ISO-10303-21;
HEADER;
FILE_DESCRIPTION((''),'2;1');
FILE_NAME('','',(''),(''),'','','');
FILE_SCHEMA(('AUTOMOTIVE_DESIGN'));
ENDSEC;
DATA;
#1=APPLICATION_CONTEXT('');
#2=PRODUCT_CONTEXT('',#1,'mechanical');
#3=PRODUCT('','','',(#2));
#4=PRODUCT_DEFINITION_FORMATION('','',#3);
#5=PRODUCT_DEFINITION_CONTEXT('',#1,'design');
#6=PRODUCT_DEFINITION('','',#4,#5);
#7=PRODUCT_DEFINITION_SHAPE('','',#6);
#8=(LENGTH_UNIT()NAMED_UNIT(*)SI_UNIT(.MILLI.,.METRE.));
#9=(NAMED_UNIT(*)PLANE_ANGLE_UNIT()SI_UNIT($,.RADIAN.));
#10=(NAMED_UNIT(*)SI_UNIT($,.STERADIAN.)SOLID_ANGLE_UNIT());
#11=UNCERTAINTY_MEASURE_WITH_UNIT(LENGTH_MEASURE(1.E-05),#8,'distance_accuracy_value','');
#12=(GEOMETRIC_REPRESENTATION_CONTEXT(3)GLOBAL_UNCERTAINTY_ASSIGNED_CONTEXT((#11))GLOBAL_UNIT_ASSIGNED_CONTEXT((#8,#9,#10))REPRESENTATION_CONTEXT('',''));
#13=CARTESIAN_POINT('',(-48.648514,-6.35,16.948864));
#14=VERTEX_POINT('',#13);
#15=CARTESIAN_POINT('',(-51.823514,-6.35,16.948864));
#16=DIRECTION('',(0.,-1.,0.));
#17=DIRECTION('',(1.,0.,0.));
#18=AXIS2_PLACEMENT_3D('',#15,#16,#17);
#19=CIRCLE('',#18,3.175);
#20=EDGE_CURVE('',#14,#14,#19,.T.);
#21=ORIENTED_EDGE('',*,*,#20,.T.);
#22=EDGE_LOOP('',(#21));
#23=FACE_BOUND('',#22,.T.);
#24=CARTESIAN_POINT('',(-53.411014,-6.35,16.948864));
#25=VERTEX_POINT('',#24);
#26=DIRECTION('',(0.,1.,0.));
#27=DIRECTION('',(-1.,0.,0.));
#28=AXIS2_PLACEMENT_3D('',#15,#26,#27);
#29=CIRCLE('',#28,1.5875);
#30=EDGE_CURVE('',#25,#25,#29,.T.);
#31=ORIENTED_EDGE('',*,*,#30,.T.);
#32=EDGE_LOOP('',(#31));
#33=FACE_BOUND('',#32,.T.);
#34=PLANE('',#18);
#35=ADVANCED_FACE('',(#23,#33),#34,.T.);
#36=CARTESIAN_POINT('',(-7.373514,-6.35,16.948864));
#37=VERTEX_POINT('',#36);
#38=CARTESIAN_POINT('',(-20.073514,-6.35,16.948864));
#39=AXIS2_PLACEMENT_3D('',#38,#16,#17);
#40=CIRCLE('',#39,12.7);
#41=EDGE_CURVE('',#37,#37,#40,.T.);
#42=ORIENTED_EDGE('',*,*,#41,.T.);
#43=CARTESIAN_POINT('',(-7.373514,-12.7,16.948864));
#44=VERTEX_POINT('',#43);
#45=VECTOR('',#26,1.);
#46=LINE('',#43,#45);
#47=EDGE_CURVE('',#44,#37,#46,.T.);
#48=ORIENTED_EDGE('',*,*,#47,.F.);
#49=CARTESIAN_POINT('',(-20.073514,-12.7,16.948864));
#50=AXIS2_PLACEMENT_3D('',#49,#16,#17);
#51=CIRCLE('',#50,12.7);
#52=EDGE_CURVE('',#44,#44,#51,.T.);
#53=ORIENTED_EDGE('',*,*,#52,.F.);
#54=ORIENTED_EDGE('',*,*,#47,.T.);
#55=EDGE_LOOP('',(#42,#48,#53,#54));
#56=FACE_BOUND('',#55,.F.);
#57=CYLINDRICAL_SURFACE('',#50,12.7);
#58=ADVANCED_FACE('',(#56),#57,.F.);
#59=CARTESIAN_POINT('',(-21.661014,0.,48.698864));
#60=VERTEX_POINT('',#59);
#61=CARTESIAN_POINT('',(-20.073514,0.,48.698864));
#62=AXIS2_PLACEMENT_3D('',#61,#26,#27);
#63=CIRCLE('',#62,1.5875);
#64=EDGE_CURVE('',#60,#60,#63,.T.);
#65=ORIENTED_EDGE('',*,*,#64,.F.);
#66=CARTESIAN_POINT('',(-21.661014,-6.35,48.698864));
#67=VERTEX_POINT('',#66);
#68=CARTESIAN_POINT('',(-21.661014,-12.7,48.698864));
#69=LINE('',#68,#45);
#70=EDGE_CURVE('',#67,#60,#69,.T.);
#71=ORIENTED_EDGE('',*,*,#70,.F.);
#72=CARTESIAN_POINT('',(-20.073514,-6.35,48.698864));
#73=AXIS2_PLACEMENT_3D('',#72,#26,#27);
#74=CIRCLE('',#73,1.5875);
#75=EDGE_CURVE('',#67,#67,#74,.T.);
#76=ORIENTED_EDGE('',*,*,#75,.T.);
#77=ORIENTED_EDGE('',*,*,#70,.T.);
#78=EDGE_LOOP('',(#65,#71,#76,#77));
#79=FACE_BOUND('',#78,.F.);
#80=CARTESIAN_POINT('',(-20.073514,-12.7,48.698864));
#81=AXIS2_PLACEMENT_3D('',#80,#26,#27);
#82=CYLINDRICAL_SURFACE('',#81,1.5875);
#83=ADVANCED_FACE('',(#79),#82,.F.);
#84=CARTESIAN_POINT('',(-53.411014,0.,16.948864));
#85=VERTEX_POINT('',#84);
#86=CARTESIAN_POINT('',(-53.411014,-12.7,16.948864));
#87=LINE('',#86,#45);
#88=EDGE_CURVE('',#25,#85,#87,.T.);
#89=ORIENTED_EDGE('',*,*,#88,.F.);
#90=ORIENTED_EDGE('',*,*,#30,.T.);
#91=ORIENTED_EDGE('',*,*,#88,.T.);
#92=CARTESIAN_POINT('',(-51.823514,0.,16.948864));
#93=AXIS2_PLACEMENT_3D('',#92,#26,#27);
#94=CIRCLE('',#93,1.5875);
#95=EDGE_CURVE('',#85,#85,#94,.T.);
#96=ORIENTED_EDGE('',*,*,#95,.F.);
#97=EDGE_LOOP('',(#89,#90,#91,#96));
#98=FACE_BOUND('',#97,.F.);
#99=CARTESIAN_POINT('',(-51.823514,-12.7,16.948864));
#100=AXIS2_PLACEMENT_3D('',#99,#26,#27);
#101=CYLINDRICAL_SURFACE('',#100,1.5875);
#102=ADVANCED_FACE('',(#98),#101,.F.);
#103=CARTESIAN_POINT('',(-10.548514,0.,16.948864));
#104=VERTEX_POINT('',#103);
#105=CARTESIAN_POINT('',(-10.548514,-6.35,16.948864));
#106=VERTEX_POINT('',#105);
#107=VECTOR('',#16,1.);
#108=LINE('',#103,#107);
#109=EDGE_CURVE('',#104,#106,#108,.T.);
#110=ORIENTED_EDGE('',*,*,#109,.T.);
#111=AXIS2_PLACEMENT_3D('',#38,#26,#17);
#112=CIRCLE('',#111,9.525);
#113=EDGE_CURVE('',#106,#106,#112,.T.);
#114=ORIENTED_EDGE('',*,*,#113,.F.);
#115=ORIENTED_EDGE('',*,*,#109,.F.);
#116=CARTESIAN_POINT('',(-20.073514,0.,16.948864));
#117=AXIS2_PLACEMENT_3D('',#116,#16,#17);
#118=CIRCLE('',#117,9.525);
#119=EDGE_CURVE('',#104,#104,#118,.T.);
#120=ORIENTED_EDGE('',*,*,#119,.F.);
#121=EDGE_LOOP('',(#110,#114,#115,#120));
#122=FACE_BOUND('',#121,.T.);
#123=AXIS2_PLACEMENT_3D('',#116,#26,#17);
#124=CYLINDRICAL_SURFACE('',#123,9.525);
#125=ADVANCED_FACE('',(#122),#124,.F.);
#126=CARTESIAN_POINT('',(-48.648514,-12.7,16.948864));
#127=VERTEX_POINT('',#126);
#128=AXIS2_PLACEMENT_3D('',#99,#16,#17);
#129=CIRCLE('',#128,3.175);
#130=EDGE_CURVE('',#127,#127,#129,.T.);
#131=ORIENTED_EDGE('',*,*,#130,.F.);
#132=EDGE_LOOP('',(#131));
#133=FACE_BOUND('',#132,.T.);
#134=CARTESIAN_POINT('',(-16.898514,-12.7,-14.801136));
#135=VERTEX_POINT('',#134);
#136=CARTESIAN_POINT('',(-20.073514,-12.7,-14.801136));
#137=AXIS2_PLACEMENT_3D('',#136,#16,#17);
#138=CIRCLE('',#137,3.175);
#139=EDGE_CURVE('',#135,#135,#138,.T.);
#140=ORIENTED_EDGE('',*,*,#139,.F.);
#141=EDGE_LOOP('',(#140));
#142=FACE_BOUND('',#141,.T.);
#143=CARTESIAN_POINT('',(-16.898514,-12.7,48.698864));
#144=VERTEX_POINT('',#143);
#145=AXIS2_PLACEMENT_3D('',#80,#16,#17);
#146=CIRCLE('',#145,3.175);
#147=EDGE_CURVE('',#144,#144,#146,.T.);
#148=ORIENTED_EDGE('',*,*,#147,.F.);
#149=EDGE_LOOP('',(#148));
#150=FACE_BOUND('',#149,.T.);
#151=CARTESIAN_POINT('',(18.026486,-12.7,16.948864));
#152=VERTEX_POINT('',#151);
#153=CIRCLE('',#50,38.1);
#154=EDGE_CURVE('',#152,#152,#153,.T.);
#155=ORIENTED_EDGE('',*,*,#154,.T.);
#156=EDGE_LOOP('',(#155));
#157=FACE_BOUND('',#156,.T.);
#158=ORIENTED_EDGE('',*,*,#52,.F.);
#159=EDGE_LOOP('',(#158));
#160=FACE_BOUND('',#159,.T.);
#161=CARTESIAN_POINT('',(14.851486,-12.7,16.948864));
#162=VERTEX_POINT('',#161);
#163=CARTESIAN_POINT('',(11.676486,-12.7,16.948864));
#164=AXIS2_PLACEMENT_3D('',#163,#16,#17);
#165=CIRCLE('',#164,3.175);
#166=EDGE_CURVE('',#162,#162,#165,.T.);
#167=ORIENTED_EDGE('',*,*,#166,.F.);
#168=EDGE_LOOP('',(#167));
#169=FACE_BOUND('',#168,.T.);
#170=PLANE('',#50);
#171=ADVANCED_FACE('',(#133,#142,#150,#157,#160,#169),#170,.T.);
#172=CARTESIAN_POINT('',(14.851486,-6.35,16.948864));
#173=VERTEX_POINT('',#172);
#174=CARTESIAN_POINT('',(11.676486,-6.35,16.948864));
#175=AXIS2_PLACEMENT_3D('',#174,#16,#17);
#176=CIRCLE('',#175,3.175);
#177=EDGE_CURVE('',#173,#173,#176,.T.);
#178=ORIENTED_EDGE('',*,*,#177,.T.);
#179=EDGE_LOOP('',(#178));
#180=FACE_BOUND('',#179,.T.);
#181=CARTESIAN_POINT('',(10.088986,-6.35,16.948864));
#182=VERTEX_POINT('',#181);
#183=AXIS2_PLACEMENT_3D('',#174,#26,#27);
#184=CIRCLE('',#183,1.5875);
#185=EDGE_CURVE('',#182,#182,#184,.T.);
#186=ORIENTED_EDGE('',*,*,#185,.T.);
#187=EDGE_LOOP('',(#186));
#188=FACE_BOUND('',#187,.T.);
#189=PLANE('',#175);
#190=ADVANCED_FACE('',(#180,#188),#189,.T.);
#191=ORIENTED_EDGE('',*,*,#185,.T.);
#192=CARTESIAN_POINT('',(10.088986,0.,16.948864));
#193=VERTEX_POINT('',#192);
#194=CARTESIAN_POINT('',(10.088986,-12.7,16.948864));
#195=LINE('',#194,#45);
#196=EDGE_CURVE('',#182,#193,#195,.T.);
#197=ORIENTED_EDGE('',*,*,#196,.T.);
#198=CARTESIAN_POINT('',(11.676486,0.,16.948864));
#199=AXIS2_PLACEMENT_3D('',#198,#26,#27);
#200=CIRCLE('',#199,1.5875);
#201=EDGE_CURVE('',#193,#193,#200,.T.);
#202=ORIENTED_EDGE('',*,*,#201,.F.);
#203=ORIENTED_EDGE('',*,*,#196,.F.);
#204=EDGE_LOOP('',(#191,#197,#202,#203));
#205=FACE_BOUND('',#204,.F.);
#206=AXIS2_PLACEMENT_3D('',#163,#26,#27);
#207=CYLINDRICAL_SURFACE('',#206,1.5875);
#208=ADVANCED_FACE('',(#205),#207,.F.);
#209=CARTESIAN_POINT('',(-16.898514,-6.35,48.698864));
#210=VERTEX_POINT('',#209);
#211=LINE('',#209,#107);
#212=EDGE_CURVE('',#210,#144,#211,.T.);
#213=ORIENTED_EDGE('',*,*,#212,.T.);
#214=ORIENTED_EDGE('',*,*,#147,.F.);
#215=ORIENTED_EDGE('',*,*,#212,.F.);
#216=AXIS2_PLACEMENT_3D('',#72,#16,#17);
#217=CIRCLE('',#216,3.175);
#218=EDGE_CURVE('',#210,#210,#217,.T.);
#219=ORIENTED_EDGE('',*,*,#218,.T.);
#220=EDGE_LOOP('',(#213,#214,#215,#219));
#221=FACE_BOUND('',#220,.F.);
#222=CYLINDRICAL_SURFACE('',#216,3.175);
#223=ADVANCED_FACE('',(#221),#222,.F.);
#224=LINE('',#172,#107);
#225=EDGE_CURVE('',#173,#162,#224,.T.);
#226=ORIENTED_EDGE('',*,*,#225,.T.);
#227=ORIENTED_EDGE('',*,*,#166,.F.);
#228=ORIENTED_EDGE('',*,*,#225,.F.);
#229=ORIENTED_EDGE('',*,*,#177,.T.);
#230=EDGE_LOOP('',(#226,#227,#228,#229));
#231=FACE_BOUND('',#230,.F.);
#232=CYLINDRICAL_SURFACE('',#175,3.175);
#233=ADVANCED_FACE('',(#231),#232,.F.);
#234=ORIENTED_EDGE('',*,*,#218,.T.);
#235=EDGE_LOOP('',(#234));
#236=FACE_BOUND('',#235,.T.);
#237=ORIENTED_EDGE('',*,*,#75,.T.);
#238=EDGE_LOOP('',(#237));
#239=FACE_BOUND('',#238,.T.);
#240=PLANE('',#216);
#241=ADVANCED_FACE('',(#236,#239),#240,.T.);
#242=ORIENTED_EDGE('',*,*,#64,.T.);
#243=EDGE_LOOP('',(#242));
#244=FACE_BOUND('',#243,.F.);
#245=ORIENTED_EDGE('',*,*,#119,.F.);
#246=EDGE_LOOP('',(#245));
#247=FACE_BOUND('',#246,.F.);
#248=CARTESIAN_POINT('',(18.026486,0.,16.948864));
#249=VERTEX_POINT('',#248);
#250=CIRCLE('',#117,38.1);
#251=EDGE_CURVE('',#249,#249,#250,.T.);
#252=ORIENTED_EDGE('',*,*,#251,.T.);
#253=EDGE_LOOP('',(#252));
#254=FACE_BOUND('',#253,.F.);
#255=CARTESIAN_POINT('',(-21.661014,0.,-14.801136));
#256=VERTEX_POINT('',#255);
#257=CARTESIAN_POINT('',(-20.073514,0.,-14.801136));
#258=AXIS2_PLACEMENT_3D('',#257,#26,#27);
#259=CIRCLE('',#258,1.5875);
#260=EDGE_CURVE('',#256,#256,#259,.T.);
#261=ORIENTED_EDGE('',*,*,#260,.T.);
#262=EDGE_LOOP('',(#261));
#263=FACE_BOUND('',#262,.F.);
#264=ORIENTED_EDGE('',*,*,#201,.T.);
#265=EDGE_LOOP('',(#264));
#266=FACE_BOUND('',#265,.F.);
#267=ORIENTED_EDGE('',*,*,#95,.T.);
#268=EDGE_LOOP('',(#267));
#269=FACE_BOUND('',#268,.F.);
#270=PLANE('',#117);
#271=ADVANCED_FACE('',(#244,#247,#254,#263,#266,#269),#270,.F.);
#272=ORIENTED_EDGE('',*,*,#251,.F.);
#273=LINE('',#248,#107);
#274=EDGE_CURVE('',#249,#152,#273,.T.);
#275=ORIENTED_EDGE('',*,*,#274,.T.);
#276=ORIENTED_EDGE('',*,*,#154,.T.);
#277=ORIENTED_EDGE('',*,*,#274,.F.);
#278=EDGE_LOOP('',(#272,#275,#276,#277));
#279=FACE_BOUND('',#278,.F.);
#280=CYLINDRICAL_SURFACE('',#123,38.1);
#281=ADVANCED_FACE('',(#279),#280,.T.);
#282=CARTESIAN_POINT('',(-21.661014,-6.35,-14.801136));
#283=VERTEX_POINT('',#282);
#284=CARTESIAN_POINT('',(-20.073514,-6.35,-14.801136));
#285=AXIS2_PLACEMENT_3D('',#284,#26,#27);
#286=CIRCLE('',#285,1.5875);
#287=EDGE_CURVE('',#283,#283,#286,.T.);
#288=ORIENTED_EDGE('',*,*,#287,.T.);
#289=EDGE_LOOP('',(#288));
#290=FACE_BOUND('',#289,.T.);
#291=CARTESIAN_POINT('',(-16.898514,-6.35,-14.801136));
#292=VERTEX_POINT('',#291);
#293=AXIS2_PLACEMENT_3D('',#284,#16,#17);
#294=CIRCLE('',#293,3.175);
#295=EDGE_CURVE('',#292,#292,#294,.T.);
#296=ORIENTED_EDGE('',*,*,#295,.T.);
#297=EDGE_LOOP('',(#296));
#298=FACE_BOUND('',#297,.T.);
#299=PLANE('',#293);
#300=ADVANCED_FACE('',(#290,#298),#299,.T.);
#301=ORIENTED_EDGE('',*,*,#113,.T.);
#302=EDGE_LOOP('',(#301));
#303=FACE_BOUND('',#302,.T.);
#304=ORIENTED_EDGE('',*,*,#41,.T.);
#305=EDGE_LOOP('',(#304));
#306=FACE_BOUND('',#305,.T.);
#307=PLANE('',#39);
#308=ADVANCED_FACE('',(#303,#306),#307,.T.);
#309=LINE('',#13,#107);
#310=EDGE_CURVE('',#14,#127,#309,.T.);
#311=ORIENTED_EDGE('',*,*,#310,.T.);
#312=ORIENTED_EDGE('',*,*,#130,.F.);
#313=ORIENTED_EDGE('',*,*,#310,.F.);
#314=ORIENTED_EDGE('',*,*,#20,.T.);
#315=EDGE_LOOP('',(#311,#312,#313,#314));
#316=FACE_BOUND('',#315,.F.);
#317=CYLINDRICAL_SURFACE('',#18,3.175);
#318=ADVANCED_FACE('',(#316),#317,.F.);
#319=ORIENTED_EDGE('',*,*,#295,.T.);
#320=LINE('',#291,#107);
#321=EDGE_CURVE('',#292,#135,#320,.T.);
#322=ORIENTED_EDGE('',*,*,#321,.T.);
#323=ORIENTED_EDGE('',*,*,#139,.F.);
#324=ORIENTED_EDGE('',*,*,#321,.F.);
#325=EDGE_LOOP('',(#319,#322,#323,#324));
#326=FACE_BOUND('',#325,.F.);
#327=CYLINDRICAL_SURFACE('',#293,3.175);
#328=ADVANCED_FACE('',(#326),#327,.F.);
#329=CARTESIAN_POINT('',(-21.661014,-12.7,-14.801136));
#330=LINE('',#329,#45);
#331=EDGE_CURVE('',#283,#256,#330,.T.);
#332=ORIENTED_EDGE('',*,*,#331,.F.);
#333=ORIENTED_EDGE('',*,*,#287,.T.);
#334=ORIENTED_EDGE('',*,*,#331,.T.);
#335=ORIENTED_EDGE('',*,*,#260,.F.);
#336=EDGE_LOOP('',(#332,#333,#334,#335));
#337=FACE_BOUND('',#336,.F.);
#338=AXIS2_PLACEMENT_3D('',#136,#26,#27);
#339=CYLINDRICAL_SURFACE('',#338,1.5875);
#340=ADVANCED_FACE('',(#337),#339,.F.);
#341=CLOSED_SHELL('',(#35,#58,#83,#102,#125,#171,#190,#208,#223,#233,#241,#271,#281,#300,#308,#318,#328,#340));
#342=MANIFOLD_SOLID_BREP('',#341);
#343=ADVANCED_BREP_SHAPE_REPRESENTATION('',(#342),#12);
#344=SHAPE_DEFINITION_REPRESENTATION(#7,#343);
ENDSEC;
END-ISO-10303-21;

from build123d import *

# Parameters (mm, degrees)
F0_R           = 38.1
F0_R_2         = 9.525
F1_DEPTH       = 12.7
F2_R           = 12.7
F3_DEPTH       = 6.35
F5_D           = 3.175
F5_CBORE_D     = 6.35
F5_CBORE_DEPTH = 6.35


with BuildPart() as f1:
    # F0 (on Front) → F1 (new body)
    with BuildSketch(Plane.XZ):
        with Locations((-20.073514, 16.948864)):
            Circle(F0_R)
        with Locations((-20.073514, 16.948864)):
            Circle(F0_R_2, mode=Mode.SUBTRACT)
    extrude(amount=F1_DEPTH)

    # F2 (on face) → F3 (cut)
    with BuildSketch(Plane.XZ.offset(12.7)):
        with Locations((-20.073514, 16.948864)):
            Circle(F2_R)
    extrude(amount=-F3_DEPTH, mode=Mode.SUBTRACT)

    # F5 (through all)
    with Locations(Plane.XZ.offset(12.7)):
        with Locations((-20.073514, 48.698864), (-51.823514, 16.948864), (-20.073514, -14.801136), (11.676486, 16.948864)):
            CounterBoreHole(F5_D / 2, F5_CBORE_D / 2, F5_CBORE_DEPTH)


solid = f1.part
